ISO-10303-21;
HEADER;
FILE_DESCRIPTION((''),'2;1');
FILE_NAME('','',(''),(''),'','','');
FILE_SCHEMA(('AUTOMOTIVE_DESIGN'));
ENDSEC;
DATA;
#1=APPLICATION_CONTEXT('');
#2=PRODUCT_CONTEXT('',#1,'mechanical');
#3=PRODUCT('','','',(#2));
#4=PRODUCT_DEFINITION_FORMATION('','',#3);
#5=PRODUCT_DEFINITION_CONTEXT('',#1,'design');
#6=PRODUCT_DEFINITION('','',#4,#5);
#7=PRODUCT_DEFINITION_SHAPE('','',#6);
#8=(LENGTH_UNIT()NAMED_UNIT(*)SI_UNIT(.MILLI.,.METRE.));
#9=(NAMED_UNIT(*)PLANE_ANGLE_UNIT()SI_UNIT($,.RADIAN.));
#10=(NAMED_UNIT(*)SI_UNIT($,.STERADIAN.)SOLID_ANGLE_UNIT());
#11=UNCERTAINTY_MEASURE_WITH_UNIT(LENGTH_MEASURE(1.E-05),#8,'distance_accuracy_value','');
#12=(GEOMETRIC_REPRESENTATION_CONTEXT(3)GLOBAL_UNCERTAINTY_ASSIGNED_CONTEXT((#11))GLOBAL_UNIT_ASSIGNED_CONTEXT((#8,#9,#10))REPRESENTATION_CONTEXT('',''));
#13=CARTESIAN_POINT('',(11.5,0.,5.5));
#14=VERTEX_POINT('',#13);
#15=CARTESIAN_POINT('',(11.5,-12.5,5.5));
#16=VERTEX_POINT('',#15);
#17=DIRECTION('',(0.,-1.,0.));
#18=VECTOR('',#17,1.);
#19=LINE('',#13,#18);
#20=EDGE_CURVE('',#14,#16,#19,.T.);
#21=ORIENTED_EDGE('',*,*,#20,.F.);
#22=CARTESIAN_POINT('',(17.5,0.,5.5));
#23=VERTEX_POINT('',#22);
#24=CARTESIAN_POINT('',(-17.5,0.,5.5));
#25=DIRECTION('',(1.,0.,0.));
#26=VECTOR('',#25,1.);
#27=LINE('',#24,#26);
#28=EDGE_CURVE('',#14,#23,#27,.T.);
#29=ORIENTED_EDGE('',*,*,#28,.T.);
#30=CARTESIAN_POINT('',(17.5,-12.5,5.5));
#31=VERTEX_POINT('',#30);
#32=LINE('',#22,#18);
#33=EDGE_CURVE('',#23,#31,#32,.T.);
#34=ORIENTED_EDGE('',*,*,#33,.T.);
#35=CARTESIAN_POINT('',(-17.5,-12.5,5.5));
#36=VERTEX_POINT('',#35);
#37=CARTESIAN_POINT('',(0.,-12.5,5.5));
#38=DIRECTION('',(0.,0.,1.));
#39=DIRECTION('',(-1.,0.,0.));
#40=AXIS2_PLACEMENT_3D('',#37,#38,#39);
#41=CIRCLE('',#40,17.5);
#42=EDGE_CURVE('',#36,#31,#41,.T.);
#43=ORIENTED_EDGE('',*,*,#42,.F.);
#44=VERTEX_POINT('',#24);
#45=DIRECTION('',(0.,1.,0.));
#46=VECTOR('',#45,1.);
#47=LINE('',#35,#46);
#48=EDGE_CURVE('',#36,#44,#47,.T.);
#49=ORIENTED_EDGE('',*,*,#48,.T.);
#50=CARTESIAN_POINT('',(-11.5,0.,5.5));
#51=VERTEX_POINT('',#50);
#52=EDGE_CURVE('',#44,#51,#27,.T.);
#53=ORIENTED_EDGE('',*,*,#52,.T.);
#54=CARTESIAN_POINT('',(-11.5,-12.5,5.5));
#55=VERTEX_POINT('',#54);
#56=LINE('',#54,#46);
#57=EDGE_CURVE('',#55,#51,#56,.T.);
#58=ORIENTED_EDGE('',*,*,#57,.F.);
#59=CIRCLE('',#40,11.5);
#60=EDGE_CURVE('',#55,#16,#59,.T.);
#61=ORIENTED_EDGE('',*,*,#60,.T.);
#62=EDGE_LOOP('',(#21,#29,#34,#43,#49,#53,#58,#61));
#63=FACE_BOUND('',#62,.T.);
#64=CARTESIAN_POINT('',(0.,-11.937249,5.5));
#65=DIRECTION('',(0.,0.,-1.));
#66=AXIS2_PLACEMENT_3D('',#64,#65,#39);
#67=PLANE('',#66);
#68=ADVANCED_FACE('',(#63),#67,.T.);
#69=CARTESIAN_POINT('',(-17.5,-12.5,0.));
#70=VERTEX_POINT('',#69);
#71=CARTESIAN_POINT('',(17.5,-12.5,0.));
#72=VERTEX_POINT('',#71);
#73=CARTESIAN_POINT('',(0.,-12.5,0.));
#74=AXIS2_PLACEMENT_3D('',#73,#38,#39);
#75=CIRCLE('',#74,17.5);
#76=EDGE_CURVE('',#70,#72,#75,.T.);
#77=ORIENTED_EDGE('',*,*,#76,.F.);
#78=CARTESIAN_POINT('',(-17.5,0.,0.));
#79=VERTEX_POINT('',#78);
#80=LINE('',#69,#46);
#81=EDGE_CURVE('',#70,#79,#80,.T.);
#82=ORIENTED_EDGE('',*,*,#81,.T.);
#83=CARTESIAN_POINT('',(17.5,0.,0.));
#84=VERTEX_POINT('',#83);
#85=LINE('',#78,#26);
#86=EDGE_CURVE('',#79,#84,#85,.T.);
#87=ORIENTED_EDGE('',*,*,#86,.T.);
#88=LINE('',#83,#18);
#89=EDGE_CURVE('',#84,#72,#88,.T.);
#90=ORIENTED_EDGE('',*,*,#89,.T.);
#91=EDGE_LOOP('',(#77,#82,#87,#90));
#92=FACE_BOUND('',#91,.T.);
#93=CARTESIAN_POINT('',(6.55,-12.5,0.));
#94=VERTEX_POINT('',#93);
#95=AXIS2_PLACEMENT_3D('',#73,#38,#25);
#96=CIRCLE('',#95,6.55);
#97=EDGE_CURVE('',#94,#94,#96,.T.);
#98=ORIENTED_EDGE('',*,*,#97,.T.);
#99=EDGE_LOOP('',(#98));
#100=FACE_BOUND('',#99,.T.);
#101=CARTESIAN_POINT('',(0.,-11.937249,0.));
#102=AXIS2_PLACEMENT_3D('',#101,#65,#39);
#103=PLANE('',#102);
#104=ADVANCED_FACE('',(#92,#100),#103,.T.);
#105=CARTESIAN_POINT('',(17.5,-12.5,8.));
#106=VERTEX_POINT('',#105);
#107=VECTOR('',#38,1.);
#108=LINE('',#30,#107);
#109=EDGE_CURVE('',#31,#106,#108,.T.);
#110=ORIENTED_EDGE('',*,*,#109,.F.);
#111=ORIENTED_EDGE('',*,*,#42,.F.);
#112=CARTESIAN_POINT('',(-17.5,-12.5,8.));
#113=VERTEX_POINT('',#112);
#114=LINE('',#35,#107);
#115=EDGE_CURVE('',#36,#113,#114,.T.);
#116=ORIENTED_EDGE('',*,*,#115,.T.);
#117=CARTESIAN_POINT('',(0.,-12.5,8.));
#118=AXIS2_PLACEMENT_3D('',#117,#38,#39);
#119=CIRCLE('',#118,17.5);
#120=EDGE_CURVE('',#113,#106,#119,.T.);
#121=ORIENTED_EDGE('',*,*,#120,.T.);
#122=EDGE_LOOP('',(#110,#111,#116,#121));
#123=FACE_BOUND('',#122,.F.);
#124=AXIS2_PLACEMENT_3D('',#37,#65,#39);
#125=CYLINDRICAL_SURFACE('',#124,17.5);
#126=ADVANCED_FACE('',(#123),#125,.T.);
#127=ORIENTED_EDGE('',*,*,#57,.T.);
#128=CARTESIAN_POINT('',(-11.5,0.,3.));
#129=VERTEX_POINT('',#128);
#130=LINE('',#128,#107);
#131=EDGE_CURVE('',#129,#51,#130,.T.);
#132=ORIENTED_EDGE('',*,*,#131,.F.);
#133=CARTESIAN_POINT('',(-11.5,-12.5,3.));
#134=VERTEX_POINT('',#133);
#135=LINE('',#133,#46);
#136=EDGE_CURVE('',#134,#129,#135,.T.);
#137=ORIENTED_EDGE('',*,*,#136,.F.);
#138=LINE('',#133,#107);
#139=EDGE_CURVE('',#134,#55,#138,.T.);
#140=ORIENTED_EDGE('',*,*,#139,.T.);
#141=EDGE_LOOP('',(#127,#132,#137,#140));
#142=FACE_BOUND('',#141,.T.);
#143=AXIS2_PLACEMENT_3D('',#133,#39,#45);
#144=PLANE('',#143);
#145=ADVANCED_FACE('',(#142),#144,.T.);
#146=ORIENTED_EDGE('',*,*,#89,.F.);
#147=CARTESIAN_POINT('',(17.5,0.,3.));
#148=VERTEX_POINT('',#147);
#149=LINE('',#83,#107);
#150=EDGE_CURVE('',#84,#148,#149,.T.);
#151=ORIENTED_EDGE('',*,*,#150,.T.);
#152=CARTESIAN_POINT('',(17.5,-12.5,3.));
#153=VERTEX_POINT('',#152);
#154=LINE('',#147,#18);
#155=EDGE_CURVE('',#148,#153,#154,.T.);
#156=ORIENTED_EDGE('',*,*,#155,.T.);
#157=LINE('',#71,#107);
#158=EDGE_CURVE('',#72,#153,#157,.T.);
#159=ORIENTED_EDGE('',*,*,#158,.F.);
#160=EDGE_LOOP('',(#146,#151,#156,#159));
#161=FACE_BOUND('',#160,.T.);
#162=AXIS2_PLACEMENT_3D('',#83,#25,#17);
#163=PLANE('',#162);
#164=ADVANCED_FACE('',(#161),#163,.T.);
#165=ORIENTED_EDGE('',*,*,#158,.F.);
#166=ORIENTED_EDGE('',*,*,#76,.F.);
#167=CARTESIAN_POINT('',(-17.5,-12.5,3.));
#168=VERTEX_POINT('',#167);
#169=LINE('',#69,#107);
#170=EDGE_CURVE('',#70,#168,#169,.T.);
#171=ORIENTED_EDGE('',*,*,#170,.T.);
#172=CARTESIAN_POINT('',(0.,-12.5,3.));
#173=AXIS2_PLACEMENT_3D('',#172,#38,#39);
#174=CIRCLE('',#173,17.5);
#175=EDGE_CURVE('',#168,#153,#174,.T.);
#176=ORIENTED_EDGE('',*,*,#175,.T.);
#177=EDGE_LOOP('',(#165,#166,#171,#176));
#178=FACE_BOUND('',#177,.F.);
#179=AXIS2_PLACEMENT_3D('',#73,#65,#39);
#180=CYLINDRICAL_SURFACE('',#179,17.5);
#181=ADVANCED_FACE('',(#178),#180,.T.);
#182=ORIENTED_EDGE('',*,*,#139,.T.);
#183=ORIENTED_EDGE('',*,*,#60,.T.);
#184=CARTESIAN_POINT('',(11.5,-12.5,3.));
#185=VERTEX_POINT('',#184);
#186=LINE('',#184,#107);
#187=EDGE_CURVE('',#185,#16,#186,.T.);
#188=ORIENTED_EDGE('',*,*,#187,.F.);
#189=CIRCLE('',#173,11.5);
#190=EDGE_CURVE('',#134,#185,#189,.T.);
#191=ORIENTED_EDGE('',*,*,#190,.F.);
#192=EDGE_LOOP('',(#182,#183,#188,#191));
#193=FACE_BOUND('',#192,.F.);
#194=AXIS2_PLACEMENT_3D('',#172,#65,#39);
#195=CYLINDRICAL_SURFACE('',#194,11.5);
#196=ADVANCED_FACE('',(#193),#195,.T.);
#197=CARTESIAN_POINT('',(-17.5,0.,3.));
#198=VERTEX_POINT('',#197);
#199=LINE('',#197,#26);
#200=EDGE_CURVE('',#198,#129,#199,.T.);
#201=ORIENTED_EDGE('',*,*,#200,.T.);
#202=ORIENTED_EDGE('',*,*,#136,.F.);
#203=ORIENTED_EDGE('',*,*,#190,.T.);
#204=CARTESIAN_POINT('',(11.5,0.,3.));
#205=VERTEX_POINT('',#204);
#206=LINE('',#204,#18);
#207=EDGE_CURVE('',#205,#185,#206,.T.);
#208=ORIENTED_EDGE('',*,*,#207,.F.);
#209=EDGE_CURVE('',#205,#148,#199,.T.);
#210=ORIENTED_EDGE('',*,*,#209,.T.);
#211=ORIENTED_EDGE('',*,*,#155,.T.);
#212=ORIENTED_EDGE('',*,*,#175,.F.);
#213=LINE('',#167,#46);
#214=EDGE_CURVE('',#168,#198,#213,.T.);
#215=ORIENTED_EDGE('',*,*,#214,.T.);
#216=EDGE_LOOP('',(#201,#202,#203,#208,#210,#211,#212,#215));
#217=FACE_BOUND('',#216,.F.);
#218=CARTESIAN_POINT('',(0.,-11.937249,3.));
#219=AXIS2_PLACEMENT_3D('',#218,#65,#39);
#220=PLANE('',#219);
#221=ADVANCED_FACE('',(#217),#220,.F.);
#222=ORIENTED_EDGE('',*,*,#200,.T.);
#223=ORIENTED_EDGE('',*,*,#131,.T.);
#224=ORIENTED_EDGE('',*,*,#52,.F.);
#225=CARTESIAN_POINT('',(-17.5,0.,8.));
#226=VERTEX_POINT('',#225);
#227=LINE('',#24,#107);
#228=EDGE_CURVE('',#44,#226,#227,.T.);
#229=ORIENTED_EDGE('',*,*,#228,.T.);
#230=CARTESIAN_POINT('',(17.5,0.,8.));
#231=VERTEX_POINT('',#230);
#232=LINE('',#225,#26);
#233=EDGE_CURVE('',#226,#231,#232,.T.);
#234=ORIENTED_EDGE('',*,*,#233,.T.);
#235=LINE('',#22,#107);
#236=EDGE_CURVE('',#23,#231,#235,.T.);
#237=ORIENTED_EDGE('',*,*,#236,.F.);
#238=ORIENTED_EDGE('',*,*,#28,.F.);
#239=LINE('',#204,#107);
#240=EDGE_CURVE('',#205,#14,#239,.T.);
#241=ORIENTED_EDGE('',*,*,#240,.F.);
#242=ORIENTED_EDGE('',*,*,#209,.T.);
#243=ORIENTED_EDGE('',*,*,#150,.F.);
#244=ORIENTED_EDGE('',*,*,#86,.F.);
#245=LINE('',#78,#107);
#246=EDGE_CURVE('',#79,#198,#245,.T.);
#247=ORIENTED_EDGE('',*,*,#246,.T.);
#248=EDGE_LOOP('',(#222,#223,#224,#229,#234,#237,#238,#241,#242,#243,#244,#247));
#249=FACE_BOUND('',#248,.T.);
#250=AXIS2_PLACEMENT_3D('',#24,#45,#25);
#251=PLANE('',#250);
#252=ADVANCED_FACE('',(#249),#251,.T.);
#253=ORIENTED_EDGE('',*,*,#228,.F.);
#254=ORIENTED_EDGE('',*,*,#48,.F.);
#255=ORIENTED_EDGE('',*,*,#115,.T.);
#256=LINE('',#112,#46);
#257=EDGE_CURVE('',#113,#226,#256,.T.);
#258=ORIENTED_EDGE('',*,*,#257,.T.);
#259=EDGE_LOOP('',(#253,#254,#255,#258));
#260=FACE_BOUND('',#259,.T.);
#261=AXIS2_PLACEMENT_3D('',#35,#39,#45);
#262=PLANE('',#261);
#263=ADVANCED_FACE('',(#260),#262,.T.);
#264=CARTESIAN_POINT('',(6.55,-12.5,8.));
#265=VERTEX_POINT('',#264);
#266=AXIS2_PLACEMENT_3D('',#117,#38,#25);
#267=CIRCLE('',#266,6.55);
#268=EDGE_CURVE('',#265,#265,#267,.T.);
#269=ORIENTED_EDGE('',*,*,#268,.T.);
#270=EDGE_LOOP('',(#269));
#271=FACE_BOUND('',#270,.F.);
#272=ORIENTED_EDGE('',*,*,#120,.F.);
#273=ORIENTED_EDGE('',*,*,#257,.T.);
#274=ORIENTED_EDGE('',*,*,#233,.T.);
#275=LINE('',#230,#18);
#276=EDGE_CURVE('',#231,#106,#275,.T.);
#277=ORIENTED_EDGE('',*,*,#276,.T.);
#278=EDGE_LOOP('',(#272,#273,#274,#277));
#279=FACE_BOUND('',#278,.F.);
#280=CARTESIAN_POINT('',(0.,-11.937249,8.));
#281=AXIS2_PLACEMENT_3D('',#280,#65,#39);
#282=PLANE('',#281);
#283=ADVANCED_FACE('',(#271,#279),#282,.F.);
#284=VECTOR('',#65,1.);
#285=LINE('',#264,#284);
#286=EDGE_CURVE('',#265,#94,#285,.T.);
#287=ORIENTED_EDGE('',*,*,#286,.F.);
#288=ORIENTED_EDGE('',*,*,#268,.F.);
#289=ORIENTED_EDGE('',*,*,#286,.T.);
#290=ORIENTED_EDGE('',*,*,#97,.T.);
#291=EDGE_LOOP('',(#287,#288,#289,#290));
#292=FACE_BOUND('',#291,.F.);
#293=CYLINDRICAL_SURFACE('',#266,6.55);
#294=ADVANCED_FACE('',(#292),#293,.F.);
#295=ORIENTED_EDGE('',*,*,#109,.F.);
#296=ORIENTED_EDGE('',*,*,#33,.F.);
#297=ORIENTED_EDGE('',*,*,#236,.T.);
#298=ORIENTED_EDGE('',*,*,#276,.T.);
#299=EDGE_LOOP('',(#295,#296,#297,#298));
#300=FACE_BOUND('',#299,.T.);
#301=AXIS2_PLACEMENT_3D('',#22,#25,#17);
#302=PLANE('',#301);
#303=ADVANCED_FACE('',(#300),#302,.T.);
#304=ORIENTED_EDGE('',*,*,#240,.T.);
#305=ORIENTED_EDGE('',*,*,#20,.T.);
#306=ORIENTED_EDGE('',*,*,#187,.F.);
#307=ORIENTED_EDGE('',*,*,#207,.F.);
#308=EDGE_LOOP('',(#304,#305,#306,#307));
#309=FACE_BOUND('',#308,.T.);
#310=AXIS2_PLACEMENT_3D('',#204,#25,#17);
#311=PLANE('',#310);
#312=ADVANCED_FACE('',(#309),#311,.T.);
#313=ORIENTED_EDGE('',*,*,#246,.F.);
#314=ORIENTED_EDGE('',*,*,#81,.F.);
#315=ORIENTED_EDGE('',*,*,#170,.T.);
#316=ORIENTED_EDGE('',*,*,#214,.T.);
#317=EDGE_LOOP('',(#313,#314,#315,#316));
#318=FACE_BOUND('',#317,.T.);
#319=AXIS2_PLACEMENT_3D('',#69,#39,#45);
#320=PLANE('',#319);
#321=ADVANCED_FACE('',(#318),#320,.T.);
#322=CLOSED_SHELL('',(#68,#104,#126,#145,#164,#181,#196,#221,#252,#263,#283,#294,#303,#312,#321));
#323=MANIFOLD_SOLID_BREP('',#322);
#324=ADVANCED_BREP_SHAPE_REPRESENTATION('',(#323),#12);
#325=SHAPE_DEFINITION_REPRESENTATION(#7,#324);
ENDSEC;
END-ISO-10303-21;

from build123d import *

# Parameters (mm, degrees)
PAD_DEPTH    = 3
PAD001_DEPTH = 2.5
PAD002_DEPTH = 2.5
SKETCH004_R  = 6.55
POCKET_DEPTH = 8.001


with BuildPart() as part:
    # Sketch001 → Pad (new body)
    with BuildSketch(Plane.XY):
        with BuildLine():
            Line((-17.5, 0), (17.5, 0))
            Line((17.5, 0), (17.5, -12.5))
            ThreePointArc((-17.5, -12.5), (0, -30), (17.5, -12.5))
            Line((-17.5, -12.5), (-17.5, 0))
        make_face()
    extrude(amount=PAD_DEPTH)

    # Sketch002 (on Face6 of Pad) → Pad001 (join)
    with BuildSketch(Plane.XY.offset(3)):
        with BuildLine():
            Line((11.5, 0), (11.5, -12.5))
            ThreePointArc((-11.5, -12.5), (0, -24), (11.5, -12.5))
            Line((-11.5, -12.5), (-11.5, 0))
            Line((-11.5, 0), (11.5, 0))
        make_face()
    extrude(amount=PAD001_DEPTH)

    # Sketch003 (on Face9 of Pad001) → Pad002 (join)
    with BuildSketch(Plane.XY.offset(5.5)):
        with BuildLine():
            Line((-17.5, 0), (17.5, 0))
            Line((17.5, 0), (17.5, -12.5))
            ThreePointArc((-17.5, -12.5), (0, -30), (17.5, -12.5))
            Line((-17.5, -12.5), (-17.5, 0))
        make_face()
    extrude(amount=PAD002_DEPTH)

    # Sketch004 (on Face12 of Pad002) → Pocket (cut, through all)
    with BuildSketch(Plane.XY.offset(8)):
        with Locations((0, -12.5)):
            Circle(SKETCH004_R)
    extrude(amount=-POCKET_DEPTH, mode=Mode.SUBTRACT)


solid = part.part
